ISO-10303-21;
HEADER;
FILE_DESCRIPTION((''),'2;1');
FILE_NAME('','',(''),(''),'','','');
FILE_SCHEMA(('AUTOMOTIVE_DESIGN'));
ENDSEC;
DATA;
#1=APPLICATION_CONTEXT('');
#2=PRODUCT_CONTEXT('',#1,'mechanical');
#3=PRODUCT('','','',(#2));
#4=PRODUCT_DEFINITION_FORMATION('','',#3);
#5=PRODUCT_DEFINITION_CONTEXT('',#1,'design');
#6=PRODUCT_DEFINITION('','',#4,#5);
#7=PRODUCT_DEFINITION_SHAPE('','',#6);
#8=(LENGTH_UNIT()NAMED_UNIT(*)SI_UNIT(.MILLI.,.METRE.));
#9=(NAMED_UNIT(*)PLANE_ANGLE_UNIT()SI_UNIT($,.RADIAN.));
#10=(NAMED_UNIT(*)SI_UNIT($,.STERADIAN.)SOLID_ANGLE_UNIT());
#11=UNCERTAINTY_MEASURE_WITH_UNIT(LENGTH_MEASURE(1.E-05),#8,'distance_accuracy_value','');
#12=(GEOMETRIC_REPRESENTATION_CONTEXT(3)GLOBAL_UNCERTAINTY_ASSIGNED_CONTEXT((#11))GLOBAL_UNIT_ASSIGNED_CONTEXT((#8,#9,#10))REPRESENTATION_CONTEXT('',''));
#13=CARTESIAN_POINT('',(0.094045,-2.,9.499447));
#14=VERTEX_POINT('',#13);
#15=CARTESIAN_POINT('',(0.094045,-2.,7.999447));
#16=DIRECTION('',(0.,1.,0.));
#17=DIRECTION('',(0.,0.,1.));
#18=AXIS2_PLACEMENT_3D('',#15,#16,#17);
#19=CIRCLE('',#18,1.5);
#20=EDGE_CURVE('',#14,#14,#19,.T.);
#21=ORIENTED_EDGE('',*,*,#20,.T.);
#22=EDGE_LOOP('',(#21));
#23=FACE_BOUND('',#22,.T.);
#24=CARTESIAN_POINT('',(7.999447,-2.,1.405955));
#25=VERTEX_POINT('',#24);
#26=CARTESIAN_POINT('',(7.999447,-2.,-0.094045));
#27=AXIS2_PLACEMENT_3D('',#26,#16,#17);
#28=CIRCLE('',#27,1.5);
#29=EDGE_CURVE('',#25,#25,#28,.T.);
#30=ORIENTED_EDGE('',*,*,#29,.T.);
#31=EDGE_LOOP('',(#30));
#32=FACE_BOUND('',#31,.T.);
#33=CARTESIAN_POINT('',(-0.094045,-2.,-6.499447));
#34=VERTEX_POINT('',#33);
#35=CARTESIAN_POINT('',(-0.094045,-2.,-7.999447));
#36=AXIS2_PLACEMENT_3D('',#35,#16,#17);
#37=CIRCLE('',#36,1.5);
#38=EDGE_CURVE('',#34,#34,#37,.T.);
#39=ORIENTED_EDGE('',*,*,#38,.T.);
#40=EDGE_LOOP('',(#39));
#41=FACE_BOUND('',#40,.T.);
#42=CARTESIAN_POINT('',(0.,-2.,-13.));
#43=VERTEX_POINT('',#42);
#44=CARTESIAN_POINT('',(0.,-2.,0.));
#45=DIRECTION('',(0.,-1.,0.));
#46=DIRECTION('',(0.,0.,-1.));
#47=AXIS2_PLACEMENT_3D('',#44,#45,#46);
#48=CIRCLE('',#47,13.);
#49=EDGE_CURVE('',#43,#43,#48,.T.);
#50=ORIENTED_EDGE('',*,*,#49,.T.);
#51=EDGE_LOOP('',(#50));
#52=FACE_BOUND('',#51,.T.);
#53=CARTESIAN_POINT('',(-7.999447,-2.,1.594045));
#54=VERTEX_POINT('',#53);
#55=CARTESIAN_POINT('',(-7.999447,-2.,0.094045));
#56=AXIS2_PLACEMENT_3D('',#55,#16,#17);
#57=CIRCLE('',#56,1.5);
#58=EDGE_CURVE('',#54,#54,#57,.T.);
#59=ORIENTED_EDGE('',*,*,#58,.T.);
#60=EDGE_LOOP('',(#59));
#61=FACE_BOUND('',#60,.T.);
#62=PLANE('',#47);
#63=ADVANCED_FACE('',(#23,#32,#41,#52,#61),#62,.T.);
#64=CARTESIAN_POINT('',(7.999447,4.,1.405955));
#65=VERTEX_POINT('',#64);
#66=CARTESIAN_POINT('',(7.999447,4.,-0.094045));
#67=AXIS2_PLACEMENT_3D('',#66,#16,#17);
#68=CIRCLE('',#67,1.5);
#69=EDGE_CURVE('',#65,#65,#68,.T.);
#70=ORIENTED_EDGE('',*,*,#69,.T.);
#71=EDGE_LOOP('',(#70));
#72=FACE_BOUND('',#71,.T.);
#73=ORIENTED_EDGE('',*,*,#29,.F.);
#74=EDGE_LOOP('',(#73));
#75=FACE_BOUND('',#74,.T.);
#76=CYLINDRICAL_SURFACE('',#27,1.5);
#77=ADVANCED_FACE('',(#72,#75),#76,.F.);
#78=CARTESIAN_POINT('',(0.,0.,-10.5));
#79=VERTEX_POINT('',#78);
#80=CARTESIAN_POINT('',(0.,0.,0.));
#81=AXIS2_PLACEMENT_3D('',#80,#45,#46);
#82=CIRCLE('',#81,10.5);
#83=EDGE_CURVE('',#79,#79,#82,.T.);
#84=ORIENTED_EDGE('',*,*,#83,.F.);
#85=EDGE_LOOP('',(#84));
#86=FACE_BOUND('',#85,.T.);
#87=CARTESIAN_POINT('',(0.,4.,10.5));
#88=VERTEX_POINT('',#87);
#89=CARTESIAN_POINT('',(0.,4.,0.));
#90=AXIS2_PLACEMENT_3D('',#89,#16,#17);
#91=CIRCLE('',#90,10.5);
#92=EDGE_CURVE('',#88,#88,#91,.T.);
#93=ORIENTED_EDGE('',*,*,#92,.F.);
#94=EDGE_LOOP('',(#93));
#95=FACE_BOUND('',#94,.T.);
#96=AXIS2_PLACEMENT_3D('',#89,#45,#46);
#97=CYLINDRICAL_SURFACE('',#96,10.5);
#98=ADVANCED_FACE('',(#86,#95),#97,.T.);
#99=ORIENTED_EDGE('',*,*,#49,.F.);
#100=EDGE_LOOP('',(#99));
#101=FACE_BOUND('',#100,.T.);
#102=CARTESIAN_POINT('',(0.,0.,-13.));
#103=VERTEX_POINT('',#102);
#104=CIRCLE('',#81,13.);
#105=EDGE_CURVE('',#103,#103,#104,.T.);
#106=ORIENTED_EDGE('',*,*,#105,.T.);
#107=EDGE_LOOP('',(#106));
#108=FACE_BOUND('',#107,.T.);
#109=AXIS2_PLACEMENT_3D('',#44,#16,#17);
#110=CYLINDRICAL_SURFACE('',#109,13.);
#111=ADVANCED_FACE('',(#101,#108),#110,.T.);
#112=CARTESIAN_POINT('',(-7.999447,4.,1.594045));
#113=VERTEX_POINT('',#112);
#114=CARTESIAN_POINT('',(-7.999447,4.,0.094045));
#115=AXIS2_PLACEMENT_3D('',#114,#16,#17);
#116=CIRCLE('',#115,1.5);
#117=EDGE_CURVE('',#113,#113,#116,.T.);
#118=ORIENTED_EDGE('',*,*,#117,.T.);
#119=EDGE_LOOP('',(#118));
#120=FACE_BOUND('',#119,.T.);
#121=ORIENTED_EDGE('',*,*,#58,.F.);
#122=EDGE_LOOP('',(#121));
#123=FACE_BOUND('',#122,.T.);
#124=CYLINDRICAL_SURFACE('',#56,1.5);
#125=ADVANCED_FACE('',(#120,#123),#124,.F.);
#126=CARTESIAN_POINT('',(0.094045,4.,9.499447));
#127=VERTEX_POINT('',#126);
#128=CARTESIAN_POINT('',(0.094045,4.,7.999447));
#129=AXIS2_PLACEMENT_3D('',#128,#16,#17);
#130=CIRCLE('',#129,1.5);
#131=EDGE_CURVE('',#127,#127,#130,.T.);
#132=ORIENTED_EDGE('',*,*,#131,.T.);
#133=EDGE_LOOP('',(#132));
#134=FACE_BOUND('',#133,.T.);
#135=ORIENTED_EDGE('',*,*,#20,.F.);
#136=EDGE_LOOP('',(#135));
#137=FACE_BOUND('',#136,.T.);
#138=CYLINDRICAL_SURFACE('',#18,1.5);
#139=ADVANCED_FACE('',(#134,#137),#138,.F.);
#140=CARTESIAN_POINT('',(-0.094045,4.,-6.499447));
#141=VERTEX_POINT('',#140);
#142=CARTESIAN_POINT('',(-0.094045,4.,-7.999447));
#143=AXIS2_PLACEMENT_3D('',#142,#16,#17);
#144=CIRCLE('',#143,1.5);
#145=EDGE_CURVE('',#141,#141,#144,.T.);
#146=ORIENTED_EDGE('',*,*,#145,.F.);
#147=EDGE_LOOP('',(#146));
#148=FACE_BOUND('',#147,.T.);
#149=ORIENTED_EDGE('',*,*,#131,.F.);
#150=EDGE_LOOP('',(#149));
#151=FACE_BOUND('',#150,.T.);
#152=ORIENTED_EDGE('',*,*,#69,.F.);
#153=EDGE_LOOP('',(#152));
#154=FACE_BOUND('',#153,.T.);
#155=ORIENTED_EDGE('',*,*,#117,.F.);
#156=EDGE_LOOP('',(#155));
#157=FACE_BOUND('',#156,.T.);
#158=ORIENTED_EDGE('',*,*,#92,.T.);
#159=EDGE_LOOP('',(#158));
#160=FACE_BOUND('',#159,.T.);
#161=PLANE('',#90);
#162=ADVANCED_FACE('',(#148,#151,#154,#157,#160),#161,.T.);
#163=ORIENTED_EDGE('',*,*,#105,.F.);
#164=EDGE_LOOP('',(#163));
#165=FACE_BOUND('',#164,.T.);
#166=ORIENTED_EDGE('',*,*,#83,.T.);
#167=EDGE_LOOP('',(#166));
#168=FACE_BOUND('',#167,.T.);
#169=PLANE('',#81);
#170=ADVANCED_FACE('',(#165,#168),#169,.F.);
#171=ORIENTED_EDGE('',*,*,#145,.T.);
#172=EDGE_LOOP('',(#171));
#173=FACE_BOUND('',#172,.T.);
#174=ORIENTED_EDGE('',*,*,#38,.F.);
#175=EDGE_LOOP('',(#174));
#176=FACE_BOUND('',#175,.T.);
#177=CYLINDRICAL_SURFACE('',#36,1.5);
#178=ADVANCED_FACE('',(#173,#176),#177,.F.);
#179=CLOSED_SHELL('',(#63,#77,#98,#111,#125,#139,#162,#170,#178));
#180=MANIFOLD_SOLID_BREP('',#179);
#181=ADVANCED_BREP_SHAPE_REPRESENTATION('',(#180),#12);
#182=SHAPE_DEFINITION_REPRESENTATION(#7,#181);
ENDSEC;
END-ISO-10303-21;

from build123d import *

# Parameters (mm, degrees)
ESQUISSE1_R             = 10.5
BOSS_EXTRU_1_DEPTH      = 4
ESQUISSE2_R             = 13
BOSS_EXTRU_2_DEPTH      = 2
ESQUISSE3_R             = 1.5
ENL_V_MAT_EXTRU_1_DEPTH = 20.339079606


with BuildPart() as part:
    # Esquisse1 → Boss.-Extru.1 (new body)
    with BuildSketch(Plane(origin=(0, 0, 0), x_dir=(1, 0, 0), z_dir=(0, 1, 0))):
        with Locations(Location((0, 0, 0), (0, 0, 270))):
            Circle(ESQUISSE1_R)
    extrude(amount=BOSS_EXTRU_1_DEPTH)

    # Esquisse2 → Boss.-Extru.2 (add)
    with BuildSketch(Plane.XZ):
        with Locations(Location((0, 0, 0), (0, 0, 270))):
            Circle(ESQUISSE2_R)
    extrude(amount=BOSS_EXTRU_2_DEPTH)

    # Esquisse3 → Enlèv. mat.-Extru.1 (cut, through all)
    with BuildSketch(Plane(origin=(0, 4, 0), x_dir=(1, 0, 0), z_dir=(0, 1, 0))):
        with Locations(Location((-7.999447207, -0.094044544, 0), (0, 0, 270))):
            Circle(ESQUISSE3_R)
        with Locations(Location((-0.094044544, 7.999447207, 0), (0, 0, 270))):
            Circle(ESQUISSE3_R)
        with Locations(Location((0.094044544, -7.999447207, 0), (0, 0, 270))):
            Circle(ESQUISSE3_R)
        with Locations(Location((7.999447207, 0.094044544, 0), (0, 0, 270))):
            Circle(ESQUISSE3_R)
    extrude(amount=-ENL_V_MAT_EXTRU_1_DEPTH, mode=Mode.SUBTRACT)


solid = part.part
